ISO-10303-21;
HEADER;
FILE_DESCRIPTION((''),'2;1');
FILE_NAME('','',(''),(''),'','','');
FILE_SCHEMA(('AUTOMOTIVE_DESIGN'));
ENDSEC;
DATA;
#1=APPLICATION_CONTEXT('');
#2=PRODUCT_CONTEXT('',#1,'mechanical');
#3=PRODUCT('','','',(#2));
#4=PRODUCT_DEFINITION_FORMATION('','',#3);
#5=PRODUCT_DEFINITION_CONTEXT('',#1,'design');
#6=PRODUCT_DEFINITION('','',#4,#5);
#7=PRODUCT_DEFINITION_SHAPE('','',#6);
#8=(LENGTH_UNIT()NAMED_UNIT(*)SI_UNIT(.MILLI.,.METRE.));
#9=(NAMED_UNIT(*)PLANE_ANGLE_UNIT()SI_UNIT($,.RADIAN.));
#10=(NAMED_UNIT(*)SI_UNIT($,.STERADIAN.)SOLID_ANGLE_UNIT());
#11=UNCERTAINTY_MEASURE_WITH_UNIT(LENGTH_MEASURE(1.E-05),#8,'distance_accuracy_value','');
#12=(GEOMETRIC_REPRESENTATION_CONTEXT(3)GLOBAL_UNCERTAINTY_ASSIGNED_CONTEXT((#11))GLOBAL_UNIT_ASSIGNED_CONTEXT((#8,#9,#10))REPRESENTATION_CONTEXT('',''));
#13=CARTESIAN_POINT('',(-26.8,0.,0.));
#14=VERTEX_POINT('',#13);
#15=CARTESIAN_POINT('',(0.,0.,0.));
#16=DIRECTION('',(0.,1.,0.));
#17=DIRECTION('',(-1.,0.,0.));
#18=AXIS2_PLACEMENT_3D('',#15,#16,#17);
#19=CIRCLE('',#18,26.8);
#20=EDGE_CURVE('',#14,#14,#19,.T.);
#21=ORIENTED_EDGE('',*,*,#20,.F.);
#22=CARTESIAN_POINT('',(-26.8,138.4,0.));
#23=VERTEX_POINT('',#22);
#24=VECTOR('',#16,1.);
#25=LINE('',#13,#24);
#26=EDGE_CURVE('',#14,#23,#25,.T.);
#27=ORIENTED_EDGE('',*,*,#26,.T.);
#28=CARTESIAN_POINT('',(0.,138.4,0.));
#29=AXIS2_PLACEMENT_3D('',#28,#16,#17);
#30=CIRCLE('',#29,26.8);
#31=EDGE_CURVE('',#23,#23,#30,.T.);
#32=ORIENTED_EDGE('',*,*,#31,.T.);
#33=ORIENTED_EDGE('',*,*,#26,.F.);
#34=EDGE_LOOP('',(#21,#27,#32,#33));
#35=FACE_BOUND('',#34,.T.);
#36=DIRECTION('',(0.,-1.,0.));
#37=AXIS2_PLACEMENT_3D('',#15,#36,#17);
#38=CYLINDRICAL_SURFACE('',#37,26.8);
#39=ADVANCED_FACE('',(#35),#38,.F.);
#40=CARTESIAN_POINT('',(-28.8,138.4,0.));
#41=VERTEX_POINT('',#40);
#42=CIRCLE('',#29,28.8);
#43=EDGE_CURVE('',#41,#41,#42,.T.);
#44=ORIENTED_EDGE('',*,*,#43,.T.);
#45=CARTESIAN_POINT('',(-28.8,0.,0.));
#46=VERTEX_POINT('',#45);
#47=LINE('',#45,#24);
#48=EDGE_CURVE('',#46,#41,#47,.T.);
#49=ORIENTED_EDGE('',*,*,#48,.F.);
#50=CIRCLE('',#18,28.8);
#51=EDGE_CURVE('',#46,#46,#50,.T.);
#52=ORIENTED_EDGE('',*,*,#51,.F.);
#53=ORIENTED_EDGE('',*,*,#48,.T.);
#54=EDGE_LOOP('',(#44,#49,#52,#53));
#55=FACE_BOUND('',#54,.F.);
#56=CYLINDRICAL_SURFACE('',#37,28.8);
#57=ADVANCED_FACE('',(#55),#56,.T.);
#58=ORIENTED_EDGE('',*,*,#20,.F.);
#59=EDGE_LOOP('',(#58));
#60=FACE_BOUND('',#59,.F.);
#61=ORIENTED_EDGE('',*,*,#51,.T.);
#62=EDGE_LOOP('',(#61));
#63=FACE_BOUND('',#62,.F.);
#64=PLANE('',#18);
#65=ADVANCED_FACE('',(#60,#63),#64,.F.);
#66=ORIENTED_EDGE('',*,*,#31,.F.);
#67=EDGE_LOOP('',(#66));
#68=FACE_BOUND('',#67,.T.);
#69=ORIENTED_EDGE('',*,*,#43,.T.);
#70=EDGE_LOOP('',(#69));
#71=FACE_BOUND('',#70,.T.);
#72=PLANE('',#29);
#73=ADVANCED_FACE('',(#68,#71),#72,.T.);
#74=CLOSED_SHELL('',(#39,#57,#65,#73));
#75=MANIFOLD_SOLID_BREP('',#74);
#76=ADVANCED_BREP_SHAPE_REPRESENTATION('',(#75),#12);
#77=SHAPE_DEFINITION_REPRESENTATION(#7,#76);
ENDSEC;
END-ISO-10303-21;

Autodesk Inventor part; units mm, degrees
ref_plane "YZ Plane" through (0, 0, 0) normal (1, 0, 0) x (0, 1, 0)
ref_plane "XZ Plane" through (0, 0, 0) normal (0, 1, 0) x (-1, 0, 0)
ref_plane "XY Plane" through (0, 0, 0) normal (0, 0, 1) x (1, 0, 0)
sketch "Sketch5" plane through (0, 0, 0) normal (0, 1, 0) x (-1, 0, 0)
  circle A0 centre (0, 0) radius 28.8
  circle A1 centre (0, 0) radius 26.8
  dimension "d26" = 57.6
  dimension "d27" = 53.6
extrude "Extrusion3" add sketch "Sketch5" along normal blind 138.4
properties part number "HSI" material "Polycarbonate, Clear"
